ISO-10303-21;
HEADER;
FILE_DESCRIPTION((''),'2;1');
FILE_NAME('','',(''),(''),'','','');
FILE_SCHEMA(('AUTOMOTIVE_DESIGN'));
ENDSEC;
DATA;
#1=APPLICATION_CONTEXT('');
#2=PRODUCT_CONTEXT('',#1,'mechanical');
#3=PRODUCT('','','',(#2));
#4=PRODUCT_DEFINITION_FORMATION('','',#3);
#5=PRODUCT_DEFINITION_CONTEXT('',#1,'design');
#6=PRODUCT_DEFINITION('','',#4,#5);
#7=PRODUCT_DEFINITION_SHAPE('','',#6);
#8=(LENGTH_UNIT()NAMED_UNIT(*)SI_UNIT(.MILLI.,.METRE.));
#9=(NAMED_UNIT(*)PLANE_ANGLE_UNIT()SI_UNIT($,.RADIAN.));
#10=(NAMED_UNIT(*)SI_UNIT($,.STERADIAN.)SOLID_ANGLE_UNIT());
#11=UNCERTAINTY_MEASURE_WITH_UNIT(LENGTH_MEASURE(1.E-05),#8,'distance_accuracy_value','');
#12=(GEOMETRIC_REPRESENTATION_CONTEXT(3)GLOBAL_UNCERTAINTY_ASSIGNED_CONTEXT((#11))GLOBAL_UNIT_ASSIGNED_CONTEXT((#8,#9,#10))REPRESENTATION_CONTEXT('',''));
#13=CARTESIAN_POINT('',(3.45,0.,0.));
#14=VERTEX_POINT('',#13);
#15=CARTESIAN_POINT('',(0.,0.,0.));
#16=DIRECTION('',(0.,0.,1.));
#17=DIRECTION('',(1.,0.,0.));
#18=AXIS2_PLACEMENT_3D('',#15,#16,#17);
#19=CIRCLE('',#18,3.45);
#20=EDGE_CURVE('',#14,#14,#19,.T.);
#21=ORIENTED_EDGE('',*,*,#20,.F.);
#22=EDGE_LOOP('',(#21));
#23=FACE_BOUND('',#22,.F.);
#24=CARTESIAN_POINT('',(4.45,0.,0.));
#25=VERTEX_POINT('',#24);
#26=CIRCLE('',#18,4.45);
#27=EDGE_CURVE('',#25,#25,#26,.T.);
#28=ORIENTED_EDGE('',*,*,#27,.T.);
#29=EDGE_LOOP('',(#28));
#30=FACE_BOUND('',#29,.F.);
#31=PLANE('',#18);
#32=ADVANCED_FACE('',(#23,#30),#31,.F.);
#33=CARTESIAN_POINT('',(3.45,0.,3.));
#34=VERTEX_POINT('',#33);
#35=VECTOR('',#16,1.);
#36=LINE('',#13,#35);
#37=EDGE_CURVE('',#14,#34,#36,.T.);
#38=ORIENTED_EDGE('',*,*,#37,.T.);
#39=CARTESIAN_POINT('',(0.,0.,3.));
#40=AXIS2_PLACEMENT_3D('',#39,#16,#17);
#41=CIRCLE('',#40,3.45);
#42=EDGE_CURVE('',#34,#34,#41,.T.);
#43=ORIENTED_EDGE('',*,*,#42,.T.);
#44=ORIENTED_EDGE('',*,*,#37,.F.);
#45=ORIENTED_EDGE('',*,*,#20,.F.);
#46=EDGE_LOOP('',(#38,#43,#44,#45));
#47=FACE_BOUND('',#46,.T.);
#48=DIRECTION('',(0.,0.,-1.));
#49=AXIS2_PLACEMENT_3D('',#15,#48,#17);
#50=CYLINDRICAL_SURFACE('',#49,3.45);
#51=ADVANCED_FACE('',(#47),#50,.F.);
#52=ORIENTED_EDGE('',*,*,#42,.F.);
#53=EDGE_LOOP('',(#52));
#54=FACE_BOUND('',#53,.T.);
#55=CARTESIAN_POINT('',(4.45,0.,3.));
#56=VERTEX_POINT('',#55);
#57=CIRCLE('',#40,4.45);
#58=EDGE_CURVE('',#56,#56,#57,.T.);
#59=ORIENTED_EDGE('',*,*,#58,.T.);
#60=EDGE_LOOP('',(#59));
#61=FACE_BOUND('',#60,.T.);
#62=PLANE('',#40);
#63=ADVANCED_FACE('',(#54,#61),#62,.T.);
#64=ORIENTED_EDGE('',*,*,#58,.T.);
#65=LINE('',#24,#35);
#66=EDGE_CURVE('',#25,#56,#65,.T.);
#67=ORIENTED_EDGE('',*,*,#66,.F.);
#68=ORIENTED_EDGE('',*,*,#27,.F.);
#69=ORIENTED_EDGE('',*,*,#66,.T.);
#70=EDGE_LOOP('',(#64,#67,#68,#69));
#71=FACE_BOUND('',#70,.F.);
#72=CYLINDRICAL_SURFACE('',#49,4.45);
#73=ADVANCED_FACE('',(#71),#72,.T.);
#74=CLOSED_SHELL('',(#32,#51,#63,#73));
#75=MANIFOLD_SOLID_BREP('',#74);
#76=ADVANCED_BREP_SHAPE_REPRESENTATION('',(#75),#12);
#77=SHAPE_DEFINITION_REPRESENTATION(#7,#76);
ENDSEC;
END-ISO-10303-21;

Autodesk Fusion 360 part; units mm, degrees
sketch "Sketch1" plane through (0, 0, 0) normal (0, 0, 1) x (1, 0, 0)
  circle A0 centre (0, 0) radius 3.45
  circle A1 centre (0, 0) radius 4.45
  dimension "d1" = 6.9
  dimension "d2" = 1
extrude "Extrude1" add sketch "Sketch1" along normal blind 3
